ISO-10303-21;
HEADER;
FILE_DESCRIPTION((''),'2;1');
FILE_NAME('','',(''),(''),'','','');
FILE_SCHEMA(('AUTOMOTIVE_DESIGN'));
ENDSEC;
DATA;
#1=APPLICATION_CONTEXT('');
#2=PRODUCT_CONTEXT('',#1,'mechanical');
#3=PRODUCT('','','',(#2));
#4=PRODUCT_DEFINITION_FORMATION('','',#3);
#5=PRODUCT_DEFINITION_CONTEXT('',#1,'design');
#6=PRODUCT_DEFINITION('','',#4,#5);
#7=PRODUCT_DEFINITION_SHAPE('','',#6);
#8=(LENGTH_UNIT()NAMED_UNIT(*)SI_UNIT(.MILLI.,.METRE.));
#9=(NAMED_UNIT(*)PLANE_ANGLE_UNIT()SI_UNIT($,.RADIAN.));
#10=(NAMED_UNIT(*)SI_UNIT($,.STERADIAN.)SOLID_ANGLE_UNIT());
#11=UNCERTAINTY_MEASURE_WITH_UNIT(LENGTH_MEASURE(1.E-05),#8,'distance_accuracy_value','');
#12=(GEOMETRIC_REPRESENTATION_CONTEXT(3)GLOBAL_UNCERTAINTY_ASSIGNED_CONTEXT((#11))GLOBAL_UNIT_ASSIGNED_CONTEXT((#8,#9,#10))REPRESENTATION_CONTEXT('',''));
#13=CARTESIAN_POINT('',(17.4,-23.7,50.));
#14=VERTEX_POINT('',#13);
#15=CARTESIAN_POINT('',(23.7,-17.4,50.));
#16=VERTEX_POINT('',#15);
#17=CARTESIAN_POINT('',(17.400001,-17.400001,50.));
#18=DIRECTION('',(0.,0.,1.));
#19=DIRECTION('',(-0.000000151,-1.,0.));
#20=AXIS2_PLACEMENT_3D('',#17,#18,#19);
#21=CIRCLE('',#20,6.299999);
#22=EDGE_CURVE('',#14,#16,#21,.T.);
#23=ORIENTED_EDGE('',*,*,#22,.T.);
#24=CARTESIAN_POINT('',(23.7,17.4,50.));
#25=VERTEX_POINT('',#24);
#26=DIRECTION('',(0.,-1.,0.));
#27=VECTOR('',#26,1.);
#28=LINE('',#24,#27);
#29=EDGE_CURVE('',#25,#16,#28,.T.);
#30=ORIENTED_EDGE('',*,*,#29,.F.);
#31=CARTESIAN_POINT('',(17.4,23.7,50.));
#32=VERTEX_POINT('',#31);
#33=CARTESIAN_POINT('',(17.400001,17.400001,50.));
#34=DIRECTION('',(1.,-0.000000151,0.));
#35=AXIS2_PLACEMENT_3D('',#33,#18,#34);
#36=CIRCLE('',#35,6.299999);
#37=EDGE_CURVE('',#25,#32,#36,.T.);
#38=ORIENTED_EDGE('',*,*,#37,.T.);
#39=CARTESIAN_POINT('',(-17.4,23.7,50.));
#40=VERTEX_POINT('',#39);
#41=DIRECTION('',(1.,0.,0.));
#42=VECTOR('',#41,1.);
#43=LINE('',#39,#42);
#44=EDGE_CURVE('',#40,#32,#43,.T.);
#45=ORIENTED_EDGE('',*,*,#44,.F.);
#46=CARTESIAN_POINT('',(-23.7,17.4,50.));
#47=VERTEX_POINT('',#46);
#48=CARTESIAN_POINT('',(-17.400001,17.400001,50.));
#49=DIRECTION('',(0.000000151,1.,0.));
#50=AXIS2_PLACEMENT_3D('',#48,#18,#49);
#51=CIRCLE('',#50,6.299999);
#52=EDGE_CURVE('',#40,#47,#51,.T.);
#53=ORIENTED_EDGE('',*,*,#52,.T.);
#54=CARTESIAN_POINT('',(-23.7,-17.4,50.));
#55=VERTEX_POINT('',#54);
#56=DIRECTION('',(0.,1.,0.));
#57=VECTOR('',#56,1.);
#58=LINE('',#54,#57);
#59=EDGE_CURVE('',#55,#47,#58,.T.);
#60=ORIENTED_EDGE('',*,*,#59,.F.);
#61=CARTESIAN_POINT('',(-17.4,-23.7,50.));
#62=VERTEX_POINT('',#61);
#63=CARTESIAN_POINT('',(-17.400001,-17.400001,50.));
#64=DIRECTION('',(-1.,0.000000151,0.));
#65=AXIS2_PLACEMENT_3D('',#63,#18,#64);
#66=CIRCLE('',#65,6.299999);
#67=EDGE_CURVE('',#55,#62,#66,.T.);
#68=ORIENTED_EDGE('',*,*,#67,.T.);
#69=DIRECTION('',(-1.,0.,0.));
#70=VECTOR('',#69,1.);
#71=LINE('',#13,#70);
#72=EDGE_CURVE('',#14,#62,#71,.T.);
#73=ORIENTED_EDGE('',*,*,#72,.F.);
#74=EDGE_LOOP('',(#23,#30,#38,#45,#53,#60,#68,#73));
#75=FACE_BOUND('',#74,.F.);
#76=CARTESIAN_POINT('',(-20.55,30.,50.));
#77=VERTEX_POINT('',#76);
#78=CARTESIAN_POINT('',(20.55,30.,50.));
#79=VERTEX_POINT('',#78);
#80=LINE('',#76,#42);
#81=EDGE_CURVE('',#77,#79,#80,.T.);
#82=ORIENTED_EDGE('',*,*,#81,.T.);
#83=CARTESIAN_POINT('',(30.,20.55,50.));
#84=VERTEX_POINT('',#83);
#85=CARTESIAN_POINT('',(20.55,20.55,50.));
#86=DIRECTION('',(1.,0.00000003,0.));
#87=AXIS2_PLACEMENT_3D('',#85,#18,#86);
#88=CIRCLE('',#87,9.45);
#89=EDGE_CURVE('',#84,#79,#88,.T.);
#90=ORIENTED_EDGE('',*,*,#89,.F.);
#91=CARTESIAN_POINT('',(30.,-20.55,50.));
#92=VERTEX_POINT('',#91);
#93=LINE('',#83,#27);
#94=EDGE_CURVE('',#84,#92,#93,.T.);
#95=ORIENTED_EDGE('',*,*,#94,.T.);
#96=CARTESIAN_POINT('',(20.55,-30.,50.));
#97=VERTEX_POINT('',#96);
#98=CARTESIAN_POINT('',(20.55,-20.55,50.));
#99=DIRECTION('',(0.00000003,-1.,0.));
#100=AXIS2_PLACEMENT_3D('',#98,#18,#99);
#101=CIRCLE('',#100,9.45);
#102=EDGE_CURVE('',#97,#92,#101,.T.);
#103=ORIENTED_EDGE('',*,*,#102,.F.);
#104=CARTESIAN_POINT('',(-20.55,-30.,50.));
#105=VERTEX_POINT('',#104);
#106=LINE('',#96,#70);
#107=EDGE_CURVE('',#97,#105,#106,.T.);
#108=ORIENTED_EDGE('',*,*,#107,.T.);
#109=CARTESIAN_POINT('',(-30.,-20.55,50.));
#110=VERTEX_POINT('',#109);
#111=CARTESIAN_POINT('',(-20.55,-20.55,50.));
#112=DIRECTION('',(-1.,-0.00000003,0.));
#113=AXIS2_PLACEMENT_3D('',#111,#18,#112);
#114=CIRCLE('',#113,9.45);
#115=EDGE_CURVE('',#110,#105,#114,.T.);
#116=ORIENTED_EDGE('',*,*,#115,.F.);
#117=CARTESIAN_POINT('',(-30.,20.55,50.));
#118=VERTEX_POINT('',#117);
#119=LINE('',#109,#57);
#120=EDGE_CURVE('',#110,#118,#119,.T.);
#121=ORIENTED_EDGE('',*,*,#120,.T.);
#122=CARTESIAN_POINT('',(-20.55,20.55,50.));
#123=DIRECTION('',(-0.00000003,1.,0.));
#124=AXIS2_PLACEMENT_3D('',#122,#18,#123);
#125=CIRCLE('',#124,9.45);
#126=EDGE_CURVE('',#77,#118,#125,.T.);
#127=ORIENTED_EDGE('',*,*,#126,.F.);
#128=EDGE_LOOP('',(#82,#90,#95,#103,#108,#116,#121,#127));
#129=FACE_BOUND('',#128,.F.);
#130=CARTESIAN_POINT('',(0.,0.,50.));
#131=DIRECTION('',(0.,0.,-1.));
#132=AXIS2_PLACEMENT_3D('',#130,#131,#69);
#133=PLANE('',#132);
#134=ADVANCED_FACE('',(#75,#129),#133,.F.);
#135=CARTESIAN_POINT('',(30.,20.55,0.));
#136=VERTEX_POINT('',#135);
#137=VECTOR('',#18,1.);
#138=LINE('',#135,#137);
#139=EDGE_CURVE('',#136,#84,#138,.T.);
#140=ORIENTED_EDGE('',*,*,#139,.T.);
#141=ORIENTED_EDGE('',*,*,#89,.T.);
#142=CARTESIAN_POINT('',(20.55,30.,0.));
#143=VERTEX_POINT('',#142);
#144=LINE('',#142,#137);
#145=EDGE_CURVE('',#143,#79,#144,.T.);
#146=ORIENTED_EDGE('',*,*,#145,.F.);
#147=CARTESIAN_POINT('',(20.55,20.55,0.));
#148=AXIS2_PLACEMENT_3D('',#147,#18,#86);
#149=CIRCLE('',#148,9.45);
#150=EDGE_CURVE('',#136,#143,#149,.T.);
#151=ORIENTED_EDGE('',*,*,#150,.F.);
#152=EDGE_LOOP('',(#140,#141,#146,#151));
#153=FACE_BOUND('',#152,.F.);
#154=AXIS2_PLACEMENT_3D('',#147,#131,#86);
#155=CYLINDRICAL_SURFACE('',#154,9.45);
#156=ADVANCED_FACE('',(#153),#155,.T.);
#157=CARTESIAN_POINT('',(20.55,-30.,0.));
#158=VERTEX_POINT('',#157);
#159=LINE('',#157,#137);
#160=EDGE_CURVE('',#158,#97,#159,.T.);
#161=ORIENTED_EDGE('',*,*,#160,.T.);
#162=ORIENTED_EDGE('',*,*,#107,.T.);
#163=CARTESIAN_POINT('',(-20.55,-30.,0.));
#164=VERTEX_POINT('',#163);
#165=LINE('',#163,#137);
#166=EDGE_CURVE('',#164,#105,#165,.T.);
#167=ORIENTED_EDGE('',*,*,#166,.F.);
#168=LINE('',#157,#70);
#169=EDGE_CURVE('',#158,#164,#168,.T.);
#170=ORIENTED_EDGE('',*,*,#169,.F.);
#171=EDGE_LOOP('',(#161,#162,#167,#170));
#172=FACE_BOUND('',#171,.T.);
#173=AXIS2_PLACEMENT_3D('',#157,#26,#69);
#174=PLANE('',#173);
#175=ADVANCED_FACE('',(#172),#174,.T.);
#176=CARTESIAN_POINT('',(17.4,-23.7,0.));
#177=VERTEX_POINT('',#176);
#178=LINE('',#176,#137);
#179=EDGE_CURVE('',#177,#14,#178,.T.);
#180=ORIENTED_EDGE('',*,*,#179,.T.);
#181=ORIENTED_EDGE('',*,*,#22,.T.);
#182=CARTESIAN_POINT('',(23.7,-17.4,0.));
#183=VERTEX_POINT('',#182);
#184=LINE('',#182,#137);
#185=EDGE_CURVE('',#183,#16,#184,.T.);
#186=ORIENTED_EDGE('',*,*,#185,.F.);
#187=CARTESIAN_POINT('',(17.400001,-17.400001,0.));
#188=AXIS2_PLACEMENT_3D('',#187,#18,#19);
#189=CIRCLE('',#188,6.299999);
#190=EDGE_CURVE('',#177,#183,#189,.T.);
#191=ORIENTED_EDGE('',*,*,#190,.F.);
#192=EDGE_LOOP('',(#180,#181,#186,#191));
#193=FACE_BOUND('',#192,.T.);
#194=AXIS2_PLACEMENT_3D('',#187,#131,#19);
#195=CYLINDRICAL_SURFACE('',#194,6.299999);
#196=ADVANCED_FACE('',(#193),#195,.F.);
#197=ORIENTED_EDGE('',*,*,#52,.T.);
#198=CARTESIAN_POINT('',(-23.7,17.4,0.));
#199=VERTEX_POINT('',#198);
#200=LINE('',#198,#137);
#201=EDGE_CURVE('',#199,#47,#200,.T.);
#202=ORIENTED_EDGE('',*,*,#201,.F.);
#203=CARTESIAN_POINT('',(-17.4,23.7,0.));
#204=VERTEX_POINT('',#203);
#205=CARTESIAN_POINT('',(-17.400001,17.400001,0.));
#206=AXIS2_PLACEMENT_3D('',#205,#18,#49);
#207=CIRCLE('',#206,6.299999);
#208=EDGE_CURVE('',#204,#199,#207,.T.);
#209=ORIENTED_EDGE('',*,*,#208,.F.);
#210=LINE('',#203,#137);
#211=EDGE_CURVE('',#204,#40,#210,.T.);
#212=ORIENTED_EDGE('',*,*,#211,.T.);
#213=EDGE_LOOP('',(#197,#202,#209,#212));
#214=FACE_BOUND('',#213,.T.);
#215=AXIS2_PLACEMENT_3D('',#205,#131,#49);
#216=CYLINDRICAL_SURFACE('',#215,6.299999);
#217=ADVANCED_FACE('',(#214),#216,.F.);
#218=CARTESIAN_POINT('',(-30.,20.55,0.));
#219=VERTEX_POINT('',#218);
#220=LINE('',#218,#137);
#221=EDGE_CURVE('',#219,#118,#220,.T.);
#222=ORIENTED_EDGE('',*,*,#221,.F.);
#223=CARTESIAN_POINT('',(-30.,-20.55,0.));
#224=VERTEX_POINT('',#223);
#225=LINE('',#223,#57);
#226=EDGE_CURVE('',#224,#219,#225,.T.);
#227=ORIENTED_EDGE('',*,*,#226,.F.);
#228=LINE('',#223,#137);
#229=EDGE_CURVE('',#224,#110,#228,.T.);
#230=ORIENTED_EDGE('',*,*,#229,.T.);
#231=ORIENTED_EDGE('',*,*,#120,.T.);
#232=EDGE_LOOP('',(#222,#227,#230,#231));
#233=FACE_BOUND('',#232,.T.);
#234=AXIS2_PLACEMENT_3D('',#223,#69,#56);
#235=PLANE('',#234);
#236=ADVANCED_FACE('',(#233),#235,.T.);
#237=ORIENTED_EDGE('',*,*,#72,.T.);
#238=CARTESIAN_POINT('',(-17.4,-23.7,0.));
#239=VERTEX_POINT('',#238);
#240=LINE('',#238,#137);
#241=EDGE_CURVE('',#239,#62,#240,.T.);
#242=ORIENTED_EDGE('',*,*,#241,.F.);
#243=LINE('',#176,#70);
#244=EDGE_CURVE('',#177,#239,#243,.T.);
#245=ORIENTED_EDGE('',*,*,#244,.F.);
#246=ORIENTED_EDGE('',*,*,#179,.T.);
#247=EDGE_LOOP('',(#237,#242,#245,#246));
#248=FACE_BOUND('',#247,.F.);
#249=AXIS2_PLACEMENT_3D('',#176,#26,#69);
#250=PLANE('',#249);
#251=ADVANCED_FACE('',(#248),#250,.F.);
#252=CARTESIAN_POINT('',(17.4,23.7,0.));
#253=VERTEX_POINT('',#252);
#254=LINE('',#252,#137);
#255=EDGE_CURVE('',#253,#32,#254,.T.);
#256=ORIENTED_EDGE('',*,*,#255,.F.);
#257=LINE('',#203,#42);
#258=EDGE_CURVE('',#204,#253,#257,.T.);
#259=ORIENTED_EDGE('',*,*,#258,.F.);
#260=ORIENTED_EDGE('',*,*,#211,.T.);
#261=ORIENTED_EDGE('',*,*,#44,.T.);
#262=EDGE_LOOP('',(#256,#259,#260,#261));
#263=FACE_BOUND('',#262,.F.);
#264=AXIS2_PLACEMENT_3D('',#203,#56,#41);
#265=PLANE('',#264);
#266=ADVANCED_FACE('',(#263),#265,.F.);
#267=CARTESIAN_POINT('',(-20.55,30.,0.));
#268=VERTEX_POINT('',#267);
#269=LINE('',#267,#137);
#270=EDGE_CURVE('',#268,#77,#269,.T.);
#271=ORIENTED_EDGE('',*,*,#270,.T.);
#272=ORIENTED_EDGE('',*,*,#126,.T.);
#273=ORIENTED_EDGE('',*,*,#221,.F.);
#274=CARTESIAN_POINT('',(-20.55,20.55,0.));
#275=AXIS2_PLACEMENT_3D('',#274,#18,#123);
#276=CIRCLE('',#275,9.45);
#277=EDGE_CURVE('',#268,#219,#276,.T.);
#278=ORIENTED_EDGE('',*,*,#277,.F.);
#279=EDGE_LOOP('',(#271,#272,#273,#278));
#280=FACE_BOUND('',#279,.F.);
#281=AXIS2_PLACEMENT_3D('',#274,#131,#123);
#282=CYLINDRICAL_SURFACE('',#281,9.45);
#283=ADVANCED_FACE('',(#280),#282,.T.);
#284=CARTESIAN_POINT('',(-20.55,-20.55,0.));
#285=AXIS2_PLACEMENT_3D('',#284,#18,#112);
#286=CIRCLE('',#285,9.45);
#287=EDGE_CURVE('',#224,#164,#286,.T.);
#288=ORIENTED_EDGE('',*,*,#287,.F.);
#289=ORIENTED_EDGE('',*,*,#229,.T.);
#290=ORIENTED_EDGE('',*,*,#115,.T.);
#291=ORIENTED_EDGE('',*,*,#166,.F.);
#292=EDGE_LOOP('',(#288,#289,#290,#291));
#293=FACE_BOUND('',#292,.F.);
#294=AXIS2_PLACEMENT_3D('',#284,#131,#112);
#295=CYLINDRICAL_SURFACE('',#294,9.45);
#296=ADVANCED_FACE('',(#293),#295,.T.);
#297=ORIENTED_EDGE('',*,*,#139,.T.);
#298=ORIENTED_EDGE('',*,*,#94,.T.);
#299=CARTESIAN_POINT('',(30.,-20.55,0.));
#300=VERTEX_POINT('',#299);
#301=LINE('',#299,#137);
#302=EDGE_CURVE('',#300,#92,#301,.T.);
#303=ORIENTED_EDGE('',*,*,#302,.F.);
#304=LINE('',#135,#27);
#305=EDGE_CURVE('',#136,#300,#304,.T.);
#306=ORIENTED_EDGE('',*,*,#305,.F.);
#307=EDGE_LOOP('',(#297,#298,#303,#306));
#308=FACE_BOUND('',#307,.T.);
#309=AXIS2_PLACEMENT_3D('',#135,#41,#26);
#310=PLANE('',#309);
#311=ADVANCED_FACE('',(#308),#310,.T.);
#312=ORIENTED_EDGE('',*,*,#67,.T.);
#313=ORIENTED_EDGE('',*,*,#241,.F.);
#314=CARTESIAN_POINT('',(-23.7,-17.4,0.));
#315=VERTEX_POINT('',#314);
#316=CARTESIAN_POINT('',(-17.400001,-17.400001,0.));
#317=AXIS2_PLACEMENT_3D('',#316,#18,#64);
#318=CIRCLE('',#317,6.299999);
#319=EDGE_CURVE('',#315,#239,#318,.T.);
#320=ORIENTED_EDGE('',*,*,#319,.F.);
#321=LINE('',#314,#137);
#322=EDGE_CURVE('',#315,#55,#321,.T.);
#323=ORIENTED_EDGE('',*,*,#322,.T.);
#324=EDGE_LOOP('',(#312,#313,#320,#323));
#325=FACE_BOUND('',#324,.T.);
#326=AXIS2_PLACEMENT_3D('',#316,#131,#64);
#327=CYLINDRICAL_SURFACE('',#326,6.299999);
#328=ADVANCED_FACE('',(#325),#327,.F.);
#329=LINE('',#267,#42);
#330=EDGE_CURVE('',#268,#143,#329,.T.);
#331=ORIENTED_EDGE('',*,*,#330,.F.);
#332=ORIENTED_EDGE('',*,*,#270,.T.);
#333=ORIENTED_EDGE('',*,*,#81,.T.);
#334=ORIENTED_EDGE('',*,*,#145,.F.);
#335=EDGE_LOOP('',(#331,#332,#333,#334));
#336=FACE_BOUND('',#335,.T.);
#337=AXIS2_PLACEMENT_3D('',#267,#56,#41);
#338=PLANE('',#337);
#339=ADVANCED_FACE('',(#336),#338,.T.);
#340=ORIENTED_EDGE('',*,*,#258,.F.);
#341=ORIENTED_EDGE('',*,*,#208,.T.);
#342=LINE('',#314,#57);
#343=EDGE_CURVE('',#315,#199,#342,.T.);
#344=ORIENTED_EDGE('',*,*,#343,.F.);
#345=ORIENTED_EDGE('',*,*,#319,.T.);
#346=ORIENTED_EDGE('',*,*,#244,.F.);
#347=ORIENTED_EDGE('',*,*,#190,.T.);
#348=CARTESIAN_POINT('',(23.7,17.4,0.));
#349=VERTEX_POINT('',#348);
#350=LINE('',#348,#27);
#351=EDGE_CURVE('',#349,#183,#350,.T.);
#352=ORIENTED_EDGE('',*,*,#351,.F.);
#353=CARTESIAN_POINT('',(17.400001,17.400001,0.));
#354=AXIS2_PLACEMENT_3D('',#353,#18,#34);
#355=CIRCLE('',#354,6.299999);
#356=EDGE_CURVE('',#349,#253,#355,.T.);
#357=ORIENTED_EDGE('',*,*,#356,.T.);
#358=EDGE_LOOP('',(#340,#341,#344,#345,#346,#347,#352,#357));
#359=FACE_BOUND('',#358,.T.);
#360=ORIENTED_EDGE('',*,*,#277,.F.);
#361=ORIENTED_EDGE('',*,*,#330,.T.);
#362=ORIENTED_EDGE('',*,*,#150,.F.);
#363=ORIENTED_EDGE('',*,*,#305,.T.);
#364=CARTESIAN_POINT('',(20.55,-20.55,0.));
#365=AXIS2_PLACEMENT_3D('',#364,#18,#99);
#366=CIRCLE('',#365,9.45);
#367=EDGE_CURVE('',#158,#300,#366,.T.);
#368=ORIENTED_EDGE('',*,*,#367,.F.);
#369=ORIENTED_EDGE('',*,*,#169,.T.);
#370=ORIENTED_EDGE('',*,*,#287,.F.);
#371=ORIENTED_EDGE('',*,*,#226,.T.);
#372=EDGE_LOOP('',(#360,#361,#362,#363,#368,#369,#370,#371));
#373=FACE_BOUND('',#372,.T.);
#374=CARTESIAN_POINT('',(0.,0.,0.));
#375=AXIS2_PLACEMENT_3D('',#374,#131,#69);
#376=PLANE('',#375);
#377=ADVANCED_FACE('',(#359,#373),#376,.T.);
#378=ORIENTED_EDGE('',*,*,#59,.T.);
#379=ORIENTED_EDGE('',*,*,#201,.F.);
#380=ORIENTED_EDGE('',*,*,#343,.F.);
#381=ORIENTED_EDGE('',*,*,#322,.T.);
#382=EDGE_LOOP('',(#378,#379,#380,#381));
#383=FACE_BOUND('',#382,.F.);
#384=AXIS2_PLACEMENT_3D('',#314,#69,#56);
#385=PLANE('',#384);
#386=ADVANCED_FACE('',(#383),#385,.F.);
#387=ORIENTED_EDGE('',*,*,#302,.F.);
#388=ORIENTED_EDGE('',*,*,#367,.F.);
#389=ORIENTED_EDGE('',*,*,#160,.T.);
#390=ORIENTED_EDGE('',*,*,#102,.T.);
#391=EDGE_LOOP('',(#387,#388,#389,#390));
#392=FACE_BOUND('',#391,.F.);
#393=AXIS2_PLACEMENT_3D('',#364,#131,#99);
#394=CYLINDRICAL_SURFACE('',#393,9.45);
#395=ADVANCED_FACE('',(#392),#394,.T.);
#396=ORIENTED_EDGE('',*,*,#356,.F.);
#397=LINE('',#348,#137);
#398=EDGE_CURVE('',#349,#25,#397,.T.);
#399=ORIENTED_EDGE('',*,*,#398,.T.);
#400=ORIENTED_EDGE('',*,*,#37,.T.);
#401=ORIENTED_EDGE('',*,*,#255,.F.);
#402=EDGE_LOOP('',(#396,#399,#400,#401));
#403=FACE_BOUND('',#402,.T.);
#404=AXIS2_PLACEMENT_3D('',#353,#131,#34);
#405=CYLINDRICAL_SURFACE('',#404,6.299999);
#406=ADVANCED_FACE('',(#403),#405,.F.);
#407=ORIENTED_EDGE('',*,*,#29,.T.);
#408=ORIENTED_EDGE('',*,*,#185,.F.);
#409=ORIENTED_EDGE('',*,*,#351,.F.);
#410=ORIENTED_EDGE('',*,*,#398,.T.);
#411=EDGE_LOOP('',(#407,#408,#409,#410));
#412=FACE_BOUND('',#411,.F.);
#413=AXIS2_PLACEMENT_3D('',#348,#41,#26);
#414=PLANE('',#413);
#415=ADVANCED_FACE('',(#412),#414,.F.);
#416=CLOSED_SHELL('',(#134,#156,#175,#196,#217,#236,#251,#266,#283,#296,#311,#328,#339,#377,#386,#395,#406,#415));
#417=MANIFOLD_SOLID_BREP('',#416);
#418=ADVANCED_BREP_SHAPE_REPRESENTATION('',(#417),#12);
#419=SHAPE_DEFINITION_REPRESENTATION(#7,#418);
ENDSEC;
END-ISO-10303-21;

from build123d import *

# Parameters (mm, degrees)
EXTRUDE_DEPTH = 50


with BuildPart() as part:
    # Sketch → Extrude (new body)
    with BuildSketch(Plane.XY):
        with BuildLine():
            Line((-20.55, 30), (20.55, 30))
            ThreePointArc((30, 20.55), (27.232159, 27.232159), (20.55, 30))
            Line((30, 20.55), (30, -20.55))
            ThreePointArc((20.55, -30), (27.232159, -27.232159), (30, -20.55))
            Line((20.55, -30), (-20.55, -30))
            ThreePointArc((-30, -20.55), (-27.232159, -27.232159), (-20.55, -30))
            Line((-30, -20.55), (-30, 20.55))
            ThreePointArc((-20.55, 30), (-27.232159, 27.232159), (-30, 20.55))
        make_face()
        with BuildLine():
            Line((-17.4, 23.7), (17.4, 23.7))
            ThreePointArc((23.7, 17.4), (21.854773, 21.854773), (17.4, 23.7))
            Line((23.7, 17.4), (23.7, -17.4))
            ThreePointArc((17.4, -23.7), (21.854773, -21.854773), (23.7, -17.4))
            Line((17.4, -23.7), (-17.4, -23.7))
            ThreePointArc((-23.7, -17.4), (-21.854773, -21.854773), (-17.4, -23.7))
            Line((-23.7, -17.4), (-23.7, 17.4))
            ThreePointArc((-17.4, 23.7), (-21.854773, 21.854773), (-23.7, 17.4))
        make_face(mode=Mode.SUBTRACT)
    extrude(amount=EXTRUDE_DEPTH)


solid = part.part
